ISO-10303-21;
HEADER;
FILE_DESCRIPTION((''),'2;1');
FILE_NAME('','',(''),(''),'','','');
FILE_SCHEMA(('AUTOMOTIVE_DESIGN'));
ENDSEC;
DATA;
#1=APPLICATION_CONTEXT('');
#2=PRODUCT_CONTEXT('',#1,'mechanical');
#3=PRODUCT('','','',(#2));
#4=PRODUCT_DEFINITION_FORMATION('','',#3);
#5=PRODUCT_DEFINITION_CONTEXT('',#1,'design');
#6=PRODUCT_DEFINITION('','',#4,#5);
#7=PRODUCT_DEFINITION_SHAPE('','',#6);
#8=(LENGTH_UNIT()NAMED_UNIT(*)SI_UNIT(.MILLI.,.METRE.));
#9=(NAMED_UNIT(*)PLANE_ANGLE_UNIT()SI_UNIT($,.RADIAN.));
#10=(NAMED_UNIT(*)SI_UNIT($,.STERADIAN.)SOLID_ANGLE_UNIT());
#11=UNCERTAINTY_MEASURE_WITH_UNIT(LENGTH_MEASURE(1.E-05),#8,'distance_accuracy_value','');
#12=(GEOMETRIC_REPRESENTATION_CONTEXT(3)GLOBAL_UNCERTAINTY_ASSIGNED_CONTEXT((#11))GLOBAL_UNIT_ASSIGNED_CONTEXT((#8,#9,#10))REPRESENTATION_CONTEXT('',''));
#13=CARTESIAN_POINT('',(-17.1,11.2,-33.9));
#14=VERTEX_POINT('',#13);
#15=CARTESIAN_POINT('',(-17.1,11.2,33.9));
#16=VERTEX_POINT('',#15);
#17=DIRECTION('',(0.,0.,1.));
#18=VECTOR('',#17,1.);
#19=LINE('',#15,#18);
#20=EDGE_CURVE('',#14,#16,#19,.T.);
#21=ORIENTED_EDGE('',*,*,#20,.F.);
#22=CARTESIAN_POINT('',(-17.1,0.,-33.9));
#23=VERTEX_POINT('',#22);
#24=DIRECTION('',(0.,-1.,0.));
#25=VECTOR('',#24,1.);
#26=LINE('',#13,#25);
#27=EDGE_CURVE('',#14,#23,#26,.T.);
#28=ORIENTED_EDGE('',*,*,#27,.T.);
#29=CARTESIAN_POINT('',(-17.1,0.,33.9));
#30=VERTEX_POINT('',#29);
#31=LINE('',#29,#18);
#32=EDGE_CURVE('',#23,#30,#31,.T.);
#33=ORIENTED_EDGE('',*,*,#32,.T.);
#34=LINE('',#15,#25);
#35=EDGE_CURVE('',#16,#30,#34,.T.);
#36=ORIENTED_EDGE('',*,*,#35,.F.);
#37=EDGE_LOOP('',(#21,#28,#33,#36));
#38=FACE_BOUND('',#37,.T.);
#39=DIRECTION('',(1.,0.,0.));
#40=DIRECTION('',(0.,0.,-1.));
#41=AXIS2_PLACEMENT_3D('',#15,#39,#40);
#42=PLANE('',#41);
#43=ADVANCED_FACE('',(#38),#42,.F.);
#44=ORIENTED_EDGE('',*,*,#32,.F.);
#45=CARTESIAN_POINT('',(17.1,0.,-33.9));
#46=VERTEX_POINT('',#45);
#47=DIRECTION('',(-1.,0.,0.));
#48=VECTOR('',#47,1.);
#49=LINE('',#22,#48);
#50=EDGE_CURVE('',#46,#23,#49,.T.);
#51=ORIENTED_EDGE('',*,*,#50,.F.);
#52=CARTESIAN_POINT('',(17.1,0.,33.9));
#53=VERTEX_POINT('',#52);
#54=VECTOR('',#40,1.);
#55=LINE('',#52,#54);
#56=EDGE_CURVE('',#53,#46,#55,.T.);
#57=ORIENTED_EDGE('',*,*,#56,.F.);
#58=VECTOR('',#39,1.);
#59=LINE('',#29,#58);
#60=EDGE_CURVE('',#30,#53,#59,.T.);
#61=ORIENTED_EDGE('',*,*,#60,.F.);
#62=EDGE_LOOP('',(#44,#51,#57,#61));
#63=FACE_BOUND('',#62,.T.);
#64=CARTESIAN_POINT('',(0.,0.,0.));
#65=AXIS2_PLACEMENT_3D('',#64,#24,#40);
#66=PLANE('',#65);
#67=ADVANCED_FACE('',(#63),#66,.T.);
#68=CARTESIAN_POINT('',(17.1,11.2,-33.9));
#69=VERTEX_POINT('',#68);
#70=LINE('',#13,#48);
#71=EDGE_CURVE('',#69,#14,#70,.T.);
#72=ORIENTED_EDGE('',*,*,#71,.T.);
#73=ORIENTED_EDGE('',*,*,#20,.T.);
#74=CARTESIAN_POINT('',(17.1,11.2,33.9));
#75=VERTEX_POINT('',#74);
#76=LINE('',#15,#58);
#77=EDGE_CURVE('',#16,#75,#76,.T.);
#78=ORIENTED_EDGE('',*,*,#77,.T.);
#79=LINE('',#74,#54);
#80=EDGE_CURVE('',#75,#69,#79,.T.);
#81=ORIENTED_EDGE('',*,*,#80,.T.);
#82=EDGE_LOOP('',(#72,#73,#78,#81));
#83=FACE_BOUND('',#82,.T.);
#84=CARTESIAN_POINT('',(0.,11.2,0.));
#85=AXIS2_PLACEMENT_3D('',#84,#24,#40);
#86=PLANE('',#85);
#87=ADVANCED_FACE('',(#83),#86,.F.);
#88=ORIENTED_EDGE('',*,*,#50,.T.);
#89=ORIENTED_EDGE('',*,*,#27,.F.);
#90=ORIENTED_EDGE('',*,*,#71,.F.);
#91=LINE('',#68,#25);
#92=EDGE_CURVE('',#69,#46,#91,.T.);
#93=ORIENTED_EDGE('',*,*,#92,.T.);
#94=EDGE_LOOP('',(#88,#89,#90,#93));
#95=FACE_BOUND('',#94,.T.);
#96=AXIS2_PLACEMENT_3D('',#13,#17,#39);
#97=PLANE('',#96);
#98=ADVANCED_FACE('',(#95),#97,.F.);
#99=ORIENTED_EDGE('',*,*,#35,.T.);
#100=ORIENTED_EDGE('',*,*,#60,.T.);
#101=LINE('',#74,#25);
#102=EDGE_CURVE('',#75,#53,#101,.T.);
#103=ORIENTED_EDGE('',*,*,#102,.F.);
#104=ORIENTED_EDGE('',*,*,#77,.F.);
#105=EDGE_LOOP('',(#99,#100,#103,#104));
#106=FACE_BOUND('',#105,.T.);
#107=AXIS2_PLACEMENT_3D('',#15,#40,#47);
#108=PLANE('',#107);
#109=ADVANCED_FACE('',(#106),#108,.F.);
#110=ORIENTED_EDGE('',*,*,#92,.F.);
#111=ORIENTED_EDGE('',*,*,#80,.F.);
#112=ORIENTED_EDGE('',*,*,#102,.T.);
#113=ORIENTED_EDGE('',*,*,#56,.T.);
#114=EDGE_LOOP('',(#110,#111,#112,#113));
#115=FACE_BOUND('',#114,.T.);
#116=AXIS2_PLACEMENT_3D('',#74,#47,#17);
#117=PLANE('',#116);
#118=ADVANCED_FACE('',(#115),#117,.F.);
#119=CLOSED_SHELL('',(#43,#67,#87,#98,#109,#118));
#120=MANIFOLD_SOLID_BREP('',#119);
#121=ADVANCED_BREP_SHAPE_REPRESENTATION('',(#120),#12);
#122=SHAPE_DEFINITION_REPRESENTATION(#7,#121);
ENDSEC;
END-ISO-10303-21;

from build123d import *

# Parameters (mm, degrees)
SKETCH_1_W      = 34.2
SKETCH_1_H      = 67.8
EXTRUDE_1_DEPTH = 11.2


with BuildPart() as part:
    # 草图1 → 凸台-拉伸1 (new body)
    with BuildSketch(Plane(origin=(0, 0, 0), x_dir=(1, 0, 0), z_dir=(0, 1, 0))):
        Rectangle(SKETCH_1_W, SKETCH_1_H)
    extrude(amount=EXTRUDE_1_DEPTH)


solid = part.part
